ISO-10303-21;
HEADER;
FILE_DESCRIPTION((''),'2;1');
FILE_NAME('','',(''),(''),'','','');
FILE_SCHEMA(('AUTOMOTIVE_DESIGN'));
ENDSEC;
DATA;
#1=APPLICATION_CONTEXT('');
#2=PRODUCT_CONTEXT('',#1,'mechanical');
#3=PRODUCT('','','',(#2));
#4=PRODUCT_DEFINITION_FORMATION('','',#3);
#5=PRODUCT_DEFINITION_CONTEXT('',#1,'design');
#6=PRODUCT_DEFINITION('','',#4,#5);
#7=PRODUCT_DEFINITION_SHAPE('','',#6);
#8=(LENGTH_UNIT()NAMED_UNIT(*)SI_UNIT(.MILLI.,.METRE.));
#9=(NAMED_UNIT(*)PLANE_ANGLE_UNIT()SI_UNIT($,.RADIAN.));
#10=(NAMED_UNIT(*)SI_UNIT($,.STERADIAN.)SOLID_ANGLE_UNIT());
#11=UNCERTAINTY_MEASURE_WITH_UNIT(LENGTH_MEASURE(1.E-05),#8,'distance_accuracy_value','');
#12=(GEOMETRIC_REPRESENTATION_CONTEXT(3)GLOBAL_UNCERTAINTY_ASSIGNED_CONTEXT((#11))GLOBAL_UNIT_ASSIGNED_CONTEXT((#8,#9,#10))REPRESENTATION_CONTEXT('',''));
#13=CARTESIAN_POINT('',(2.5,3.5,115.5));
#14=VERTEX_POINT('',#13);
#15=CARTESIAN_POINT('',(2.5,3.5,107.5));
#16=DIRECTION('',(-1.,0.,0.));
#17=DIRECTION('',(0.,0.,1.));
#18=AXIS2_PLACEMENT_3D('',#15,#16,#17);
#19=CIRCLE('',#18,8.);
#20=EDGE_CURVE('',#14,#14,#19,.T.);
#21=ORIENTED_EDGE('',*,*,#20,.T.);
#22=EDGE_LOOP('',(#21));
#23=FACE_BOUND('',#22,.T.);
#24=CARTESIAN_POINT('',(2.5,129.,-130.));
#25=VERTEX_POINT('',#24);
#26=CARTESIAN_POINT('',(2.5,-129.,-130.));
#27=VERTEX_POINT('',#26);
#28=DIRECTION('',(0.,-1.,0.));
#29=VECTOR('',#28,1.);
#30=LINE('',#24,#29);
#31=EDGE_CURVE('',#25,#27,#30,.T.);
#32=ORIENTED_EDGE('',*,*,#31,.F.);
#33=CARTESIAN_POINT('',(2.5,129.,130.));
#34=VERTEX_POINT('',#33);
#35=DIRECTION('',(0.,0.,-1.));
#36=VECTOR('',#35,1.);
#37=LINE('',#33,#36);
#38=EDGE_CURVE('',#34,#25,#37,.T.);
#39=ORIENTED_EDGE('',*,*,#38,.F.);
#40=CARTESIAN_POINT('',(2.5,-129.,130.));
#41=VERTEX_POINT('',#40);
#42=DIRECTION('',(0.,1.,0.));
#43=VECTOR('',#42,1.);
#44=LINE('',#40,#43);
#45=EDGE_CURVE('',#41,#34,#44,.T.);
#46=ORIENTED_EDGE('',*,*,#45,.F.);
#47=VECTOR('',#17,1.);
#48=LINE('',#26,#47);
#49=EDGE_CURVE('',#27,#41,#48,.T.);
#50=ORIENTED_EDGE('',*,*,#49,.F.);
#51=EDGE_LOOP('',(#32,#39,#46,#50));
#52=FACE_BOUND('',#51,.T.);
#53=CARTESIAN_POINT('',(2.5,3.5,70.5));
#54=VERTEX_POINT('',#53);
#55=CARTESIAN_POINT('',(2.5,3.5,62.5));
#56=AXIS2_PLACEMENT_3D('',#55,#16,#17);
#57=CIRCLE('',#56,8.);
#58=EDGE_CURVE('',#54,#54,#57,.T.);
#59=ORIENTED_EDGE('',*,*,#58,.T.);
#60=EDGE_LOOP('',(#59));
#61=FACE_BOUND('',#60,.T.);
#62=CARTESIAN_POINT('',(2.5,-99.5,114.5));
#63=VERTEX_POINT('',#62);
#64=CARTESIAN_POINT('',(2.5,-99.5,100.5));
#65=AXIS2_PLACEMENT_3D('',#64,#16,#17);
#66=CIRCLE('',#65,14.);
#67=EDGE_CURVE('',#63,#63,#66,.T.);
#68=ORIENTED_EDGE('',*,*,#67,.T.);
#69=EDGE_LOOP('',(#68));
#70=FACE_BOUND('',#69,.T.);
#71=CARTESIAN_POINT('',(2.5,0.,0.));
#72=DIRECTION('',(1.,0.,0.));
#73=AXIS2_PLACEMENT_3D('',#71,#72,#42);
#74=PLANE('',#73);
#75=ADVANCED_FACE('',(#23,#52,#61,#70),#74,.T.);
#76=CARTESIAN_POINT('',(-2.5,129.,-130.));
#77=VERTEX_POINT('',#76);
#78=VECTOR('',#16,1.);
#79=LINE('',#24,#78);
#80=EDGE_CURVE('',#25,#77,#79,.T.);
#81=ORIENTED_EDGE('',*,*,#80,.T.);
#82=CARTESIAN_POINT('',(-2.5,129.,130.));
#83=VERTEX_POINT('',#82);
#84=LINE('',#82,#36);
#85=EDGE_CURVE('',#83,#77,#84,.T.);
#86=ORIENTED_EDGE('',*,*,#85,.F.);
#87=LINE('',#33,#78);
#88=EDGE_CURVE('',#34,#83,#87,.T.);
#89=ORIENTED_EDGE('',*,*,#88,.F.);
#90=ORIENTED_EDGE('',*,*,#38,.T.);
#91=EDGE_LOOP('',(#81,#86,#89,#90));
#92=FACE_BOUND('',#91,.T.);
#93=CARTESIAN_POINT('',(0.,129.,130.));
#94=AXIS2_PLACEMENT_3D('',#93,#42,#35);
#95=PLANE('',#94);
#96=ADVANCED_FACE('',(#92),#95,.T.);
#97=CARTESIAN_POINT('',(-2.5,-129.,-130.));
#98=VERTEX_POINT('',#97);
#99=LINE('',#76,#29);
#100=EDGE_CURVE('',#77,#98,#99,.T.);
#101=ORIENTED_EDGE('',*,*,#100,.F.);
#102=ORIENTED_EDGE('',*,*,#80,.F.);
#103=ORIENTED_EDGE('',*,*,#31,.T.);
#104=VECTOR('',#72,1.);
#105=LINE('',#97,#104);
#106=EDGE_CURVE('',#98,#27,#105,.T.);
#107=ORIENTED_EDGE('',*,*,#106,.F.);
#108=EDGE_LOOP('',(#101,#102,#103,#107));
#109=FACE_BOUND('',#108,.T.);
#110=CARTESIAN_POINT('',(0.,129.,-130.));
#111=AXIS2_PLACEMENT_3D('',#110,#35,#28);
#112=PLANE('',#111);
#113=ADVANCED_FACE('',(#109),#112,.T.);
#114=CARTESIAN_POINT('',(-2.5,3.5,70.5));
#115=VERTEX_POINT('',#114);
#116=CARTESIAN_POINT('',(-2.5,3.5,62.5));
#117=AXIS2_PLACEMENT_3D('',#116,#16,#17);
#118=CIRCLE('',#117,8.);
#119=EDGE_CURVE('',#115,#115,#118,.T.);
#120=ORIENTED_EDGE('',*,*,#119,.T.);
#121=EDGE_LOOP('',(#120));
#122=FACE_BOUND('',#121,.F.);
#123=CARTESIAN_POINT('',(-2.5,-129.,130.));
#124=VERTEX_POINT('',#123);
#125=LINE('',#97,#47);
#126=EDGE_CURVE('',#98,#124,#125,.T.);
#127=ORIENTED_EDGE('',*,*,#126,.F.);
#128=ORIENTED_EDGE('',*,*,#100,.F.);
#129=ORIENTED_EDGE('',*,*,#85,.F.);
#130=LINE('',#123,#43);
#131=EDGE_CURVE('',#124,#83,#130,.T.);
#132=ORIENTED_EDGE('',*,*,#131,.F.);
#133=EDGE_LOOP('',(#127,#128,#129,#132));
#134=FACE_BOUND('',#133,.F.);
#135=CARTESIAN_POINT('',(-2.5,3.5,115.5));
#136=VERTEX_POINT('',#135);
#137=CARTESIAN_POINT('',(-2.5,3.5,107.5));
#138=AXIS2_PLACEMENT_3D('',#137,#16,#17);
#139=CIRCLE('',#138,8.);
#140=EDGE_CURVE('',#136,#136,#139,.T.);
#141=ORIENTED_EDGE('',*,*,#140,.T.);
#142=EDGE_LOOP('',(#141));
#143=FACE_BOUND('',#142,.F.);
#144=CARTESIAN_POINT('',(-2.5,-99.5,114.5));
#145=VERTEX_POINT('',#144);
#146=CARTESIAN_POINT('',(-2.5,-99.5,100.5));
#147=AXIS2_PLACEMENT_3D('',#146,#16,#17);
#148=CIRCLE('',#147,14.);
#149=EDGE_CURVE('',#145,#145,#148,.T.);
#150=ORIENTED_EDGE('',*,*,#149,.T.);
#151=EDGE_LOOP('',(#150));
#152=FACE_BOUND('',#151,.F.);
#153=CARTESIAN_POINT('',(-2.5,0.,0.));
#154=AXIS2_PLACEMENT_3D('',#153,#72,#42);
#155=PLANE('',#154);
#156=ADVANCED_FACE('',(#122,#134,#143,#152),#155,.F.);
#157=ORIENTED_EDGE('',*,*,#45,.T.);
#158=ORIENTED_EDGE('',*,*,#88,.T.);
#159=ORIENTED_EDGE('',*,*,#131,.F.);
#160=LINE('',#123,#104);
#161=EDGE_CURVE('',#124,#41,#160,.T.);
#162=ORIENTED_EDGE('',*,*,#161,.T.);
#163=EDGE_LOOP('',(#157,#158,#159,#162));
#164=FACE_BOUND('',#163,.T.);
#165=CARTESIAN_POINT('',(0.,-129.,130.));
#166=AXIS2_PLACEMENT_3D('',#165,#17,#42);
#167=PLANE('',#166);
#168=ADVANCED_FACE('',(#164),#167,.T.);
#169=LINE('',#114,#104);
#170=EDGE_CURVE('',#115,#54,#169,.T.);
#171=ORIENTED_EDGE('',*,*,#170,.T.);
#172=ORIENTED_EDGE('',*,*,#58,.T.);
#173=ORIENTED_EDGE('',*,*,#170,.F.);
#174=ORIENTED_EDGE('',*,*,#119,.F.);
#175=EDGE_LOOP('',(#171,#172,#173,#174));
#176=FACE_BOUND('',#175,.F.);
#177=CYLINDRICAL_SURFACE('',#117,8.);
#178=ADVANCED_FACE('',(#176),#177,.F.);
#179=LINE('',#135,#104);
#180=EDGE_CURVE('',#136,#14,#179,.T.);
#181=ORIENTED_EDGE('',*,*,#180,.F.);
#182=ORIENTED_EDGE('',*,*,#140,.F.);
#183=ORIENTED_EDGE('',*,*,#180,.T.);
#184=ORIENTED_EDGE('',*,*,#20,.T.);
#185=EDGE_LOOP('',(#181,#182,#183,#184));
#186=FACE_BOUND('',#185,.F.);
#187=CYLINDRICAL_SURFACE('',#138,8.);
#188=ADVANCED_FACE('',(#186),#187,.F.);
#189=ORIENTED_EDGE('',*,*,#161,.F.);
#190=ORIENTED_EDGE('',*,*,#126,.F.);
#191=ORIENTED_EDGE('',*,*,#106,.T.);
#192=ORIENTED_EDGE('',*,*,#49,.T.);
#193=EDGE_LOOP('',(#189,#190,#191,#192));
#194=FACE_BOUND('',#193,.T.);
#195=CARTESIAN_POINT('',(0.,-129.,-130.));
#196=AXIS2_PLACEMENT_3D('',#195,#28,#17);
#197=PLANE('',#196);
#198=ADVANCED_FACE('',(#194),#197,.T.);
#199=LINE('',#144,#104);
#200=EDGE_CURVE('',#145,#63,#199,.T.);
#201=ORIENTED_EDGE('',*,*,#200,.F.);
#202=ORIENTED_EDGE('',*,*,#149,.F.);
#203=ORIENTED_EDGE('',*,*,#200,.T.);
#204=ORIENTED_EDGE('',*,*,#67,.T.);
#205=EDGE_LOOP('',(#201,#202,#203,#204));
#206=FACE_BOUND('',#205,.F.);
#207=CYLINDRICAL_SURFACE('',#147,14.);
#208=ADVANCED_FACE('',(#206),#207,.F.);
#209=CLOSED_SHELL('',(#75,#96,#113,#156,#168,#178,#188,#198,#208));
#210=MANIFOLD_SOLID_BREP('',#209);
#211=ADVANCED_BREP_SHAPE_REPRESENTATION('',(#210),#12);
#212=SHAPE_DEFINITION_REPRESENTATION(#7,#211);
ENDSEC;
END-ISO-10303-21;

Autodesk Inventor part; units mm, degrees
ref_plane "YZ Plane" through (0, 0, 0) normal (1, 0, 0) x (0, 1, 0)
ref_plane "XZ Plane" through (0, 0, 0) normal (0, 1, 0) x (-1, 0, 0)
ref_plane "XY Plane" through (0, 0, 0) normal (0, 0, 1) x (1, 0, 0)
sketch "Sketch1" plane through (0, 0, 0) normal (1, 0, 0) x (0, 1, 0)
  line L0 (-129, 130) -> (129, 130)
  line L1 (129, 130) -> (129, -130)
  line L2 (129, -130) -> (-129, -130)
  line L3 (-129, -130) -> (-129, 130)
  line L4 (-129, 130) -> (129, -130) construction
  line L5 (129, 130) -> (-129, -130) construction
  point P0 (0, 0)
  dimension "d0" = 258
  dimension "d1" = 260
extrude "Extrusion1" add sketch "Sketch1" along normal mid plane 5
sketch "Sketch3" plane through (-2.5, 0, 0) normal (-1, 0, 0) x (0, 0, 1)
  circle A0 centre (100.5, -99.5) radius 16.7557 construction
  line L0 (130, -129) -> (130, 129) construction
  line L1 (-130, -129) -> (130, -129) construction
  circle A1 centre (100.5, -99.5) radius 14
  point P0 (0, 0)
  dimension "d12" = 29.5
  dimension "d13" = 29.5
  dimension "d14" = 28
extrude "Extrusion3" cut sketch "Sketch3" against normal blind 5
sketch "Sketch4" plane through (-2.5, 0, 0) normal (-1, 0, 0) x (0, 0, 1)
  circle A0 centre (107.5, 3.5) radius 12.5 construction
  line L0 (130, -129) -> (130, 129) construction
  line L1 (-130, -129) -> (130, -129) construction
  circle A1 centre (107.5, 3.5) radius 8
  circle A2 centre (62.5, 3.5) radius 12.5 construction
  circle A3 centre (62.5, 3.5) radius 8
  point P0 (0, 0)
  dimension "d17" = 25
  dimension "d18" = 22.5
  dimension "d19" = 132.5
  dimension "d20" = 16
  dimension "d21" = 25
  dimension "d22" = 45
  dimension "d23" = 16
  dimension "d24" = 132.5
extrude "Extrusion4" cut sketch "Sketch4" against normal blind 5
equation "\"d0\" = boxh"
equation "\"d1\" = boxl + 2 * pvct"
equation "\"d2\" = pvct"
equation "\"d14\" = airininner"
equation "\"d15\" = pvct"
equation "\"d17\" = diapowerouter"
equation "\"d20\" = diapower"
equation "\"d21\" = diapowerouter"
equation "\"d23\" = diapower"
equation "\"d25\" = pvct"
equation "\"solhole\" = 3"
equation "\"solholespacing\" = 16"
equation "\"ssolw\" = 63"
equation "\"bsoll\" = 126"
equation "\"bsolw\" = 91"
equation "\"bsolh\" = 126"
equation "\"tapl\" = 31"
equation "\"tl\" = 32"
equation "\"eloboww\" = 25"
equation "\"pvct\" = 5"
equation "\"boxh\" = 258"
equation "\"supporth\" = 15"
equation "\"play\" = 0.5"
equation "\"pcbh\" = 46"
equation "\"pcbw\" = 76"
equation "\"pcbl\" = 86"
equation "\"arl\" = 102"
equation "\"arw\" = 54"
equation "\"psuh\" = 85"
equation "\"screenl\" = 115"
equation "\"screenw\" = 197"
equation "\"seph\" = 105"
equation "\"diapowerouter\" = 25"
equation "\"dialoadouter\" = 25"
equation "\"distpumps\" = 75"
equation "\"diaetapeouter\" = 36"
equation "\"diaphouter\" = 48"
equation "\"distbubblewater\" = 82"
equation "\"diaload\" = 16"
equation "\"diaetape\" = 25"
equation "\"diaph\" = 32"
equation "\"diapower\" = 16"
equation "\"pumpouter\" = 25"
equation "\"airoutinner\" = 28"
equation "\"airoutouter\" = 39"
equation "\"waterouter\" = 39"
equation "\"waterinner\" = 28"
equation "\"pumpinner\" = 16"
equation "\"airininner\" = 28"
equation "\"airinouter\" = 39"
equation "\"boxl\" = 250"
properties part number "sb_side" material "PVC-Piping"
